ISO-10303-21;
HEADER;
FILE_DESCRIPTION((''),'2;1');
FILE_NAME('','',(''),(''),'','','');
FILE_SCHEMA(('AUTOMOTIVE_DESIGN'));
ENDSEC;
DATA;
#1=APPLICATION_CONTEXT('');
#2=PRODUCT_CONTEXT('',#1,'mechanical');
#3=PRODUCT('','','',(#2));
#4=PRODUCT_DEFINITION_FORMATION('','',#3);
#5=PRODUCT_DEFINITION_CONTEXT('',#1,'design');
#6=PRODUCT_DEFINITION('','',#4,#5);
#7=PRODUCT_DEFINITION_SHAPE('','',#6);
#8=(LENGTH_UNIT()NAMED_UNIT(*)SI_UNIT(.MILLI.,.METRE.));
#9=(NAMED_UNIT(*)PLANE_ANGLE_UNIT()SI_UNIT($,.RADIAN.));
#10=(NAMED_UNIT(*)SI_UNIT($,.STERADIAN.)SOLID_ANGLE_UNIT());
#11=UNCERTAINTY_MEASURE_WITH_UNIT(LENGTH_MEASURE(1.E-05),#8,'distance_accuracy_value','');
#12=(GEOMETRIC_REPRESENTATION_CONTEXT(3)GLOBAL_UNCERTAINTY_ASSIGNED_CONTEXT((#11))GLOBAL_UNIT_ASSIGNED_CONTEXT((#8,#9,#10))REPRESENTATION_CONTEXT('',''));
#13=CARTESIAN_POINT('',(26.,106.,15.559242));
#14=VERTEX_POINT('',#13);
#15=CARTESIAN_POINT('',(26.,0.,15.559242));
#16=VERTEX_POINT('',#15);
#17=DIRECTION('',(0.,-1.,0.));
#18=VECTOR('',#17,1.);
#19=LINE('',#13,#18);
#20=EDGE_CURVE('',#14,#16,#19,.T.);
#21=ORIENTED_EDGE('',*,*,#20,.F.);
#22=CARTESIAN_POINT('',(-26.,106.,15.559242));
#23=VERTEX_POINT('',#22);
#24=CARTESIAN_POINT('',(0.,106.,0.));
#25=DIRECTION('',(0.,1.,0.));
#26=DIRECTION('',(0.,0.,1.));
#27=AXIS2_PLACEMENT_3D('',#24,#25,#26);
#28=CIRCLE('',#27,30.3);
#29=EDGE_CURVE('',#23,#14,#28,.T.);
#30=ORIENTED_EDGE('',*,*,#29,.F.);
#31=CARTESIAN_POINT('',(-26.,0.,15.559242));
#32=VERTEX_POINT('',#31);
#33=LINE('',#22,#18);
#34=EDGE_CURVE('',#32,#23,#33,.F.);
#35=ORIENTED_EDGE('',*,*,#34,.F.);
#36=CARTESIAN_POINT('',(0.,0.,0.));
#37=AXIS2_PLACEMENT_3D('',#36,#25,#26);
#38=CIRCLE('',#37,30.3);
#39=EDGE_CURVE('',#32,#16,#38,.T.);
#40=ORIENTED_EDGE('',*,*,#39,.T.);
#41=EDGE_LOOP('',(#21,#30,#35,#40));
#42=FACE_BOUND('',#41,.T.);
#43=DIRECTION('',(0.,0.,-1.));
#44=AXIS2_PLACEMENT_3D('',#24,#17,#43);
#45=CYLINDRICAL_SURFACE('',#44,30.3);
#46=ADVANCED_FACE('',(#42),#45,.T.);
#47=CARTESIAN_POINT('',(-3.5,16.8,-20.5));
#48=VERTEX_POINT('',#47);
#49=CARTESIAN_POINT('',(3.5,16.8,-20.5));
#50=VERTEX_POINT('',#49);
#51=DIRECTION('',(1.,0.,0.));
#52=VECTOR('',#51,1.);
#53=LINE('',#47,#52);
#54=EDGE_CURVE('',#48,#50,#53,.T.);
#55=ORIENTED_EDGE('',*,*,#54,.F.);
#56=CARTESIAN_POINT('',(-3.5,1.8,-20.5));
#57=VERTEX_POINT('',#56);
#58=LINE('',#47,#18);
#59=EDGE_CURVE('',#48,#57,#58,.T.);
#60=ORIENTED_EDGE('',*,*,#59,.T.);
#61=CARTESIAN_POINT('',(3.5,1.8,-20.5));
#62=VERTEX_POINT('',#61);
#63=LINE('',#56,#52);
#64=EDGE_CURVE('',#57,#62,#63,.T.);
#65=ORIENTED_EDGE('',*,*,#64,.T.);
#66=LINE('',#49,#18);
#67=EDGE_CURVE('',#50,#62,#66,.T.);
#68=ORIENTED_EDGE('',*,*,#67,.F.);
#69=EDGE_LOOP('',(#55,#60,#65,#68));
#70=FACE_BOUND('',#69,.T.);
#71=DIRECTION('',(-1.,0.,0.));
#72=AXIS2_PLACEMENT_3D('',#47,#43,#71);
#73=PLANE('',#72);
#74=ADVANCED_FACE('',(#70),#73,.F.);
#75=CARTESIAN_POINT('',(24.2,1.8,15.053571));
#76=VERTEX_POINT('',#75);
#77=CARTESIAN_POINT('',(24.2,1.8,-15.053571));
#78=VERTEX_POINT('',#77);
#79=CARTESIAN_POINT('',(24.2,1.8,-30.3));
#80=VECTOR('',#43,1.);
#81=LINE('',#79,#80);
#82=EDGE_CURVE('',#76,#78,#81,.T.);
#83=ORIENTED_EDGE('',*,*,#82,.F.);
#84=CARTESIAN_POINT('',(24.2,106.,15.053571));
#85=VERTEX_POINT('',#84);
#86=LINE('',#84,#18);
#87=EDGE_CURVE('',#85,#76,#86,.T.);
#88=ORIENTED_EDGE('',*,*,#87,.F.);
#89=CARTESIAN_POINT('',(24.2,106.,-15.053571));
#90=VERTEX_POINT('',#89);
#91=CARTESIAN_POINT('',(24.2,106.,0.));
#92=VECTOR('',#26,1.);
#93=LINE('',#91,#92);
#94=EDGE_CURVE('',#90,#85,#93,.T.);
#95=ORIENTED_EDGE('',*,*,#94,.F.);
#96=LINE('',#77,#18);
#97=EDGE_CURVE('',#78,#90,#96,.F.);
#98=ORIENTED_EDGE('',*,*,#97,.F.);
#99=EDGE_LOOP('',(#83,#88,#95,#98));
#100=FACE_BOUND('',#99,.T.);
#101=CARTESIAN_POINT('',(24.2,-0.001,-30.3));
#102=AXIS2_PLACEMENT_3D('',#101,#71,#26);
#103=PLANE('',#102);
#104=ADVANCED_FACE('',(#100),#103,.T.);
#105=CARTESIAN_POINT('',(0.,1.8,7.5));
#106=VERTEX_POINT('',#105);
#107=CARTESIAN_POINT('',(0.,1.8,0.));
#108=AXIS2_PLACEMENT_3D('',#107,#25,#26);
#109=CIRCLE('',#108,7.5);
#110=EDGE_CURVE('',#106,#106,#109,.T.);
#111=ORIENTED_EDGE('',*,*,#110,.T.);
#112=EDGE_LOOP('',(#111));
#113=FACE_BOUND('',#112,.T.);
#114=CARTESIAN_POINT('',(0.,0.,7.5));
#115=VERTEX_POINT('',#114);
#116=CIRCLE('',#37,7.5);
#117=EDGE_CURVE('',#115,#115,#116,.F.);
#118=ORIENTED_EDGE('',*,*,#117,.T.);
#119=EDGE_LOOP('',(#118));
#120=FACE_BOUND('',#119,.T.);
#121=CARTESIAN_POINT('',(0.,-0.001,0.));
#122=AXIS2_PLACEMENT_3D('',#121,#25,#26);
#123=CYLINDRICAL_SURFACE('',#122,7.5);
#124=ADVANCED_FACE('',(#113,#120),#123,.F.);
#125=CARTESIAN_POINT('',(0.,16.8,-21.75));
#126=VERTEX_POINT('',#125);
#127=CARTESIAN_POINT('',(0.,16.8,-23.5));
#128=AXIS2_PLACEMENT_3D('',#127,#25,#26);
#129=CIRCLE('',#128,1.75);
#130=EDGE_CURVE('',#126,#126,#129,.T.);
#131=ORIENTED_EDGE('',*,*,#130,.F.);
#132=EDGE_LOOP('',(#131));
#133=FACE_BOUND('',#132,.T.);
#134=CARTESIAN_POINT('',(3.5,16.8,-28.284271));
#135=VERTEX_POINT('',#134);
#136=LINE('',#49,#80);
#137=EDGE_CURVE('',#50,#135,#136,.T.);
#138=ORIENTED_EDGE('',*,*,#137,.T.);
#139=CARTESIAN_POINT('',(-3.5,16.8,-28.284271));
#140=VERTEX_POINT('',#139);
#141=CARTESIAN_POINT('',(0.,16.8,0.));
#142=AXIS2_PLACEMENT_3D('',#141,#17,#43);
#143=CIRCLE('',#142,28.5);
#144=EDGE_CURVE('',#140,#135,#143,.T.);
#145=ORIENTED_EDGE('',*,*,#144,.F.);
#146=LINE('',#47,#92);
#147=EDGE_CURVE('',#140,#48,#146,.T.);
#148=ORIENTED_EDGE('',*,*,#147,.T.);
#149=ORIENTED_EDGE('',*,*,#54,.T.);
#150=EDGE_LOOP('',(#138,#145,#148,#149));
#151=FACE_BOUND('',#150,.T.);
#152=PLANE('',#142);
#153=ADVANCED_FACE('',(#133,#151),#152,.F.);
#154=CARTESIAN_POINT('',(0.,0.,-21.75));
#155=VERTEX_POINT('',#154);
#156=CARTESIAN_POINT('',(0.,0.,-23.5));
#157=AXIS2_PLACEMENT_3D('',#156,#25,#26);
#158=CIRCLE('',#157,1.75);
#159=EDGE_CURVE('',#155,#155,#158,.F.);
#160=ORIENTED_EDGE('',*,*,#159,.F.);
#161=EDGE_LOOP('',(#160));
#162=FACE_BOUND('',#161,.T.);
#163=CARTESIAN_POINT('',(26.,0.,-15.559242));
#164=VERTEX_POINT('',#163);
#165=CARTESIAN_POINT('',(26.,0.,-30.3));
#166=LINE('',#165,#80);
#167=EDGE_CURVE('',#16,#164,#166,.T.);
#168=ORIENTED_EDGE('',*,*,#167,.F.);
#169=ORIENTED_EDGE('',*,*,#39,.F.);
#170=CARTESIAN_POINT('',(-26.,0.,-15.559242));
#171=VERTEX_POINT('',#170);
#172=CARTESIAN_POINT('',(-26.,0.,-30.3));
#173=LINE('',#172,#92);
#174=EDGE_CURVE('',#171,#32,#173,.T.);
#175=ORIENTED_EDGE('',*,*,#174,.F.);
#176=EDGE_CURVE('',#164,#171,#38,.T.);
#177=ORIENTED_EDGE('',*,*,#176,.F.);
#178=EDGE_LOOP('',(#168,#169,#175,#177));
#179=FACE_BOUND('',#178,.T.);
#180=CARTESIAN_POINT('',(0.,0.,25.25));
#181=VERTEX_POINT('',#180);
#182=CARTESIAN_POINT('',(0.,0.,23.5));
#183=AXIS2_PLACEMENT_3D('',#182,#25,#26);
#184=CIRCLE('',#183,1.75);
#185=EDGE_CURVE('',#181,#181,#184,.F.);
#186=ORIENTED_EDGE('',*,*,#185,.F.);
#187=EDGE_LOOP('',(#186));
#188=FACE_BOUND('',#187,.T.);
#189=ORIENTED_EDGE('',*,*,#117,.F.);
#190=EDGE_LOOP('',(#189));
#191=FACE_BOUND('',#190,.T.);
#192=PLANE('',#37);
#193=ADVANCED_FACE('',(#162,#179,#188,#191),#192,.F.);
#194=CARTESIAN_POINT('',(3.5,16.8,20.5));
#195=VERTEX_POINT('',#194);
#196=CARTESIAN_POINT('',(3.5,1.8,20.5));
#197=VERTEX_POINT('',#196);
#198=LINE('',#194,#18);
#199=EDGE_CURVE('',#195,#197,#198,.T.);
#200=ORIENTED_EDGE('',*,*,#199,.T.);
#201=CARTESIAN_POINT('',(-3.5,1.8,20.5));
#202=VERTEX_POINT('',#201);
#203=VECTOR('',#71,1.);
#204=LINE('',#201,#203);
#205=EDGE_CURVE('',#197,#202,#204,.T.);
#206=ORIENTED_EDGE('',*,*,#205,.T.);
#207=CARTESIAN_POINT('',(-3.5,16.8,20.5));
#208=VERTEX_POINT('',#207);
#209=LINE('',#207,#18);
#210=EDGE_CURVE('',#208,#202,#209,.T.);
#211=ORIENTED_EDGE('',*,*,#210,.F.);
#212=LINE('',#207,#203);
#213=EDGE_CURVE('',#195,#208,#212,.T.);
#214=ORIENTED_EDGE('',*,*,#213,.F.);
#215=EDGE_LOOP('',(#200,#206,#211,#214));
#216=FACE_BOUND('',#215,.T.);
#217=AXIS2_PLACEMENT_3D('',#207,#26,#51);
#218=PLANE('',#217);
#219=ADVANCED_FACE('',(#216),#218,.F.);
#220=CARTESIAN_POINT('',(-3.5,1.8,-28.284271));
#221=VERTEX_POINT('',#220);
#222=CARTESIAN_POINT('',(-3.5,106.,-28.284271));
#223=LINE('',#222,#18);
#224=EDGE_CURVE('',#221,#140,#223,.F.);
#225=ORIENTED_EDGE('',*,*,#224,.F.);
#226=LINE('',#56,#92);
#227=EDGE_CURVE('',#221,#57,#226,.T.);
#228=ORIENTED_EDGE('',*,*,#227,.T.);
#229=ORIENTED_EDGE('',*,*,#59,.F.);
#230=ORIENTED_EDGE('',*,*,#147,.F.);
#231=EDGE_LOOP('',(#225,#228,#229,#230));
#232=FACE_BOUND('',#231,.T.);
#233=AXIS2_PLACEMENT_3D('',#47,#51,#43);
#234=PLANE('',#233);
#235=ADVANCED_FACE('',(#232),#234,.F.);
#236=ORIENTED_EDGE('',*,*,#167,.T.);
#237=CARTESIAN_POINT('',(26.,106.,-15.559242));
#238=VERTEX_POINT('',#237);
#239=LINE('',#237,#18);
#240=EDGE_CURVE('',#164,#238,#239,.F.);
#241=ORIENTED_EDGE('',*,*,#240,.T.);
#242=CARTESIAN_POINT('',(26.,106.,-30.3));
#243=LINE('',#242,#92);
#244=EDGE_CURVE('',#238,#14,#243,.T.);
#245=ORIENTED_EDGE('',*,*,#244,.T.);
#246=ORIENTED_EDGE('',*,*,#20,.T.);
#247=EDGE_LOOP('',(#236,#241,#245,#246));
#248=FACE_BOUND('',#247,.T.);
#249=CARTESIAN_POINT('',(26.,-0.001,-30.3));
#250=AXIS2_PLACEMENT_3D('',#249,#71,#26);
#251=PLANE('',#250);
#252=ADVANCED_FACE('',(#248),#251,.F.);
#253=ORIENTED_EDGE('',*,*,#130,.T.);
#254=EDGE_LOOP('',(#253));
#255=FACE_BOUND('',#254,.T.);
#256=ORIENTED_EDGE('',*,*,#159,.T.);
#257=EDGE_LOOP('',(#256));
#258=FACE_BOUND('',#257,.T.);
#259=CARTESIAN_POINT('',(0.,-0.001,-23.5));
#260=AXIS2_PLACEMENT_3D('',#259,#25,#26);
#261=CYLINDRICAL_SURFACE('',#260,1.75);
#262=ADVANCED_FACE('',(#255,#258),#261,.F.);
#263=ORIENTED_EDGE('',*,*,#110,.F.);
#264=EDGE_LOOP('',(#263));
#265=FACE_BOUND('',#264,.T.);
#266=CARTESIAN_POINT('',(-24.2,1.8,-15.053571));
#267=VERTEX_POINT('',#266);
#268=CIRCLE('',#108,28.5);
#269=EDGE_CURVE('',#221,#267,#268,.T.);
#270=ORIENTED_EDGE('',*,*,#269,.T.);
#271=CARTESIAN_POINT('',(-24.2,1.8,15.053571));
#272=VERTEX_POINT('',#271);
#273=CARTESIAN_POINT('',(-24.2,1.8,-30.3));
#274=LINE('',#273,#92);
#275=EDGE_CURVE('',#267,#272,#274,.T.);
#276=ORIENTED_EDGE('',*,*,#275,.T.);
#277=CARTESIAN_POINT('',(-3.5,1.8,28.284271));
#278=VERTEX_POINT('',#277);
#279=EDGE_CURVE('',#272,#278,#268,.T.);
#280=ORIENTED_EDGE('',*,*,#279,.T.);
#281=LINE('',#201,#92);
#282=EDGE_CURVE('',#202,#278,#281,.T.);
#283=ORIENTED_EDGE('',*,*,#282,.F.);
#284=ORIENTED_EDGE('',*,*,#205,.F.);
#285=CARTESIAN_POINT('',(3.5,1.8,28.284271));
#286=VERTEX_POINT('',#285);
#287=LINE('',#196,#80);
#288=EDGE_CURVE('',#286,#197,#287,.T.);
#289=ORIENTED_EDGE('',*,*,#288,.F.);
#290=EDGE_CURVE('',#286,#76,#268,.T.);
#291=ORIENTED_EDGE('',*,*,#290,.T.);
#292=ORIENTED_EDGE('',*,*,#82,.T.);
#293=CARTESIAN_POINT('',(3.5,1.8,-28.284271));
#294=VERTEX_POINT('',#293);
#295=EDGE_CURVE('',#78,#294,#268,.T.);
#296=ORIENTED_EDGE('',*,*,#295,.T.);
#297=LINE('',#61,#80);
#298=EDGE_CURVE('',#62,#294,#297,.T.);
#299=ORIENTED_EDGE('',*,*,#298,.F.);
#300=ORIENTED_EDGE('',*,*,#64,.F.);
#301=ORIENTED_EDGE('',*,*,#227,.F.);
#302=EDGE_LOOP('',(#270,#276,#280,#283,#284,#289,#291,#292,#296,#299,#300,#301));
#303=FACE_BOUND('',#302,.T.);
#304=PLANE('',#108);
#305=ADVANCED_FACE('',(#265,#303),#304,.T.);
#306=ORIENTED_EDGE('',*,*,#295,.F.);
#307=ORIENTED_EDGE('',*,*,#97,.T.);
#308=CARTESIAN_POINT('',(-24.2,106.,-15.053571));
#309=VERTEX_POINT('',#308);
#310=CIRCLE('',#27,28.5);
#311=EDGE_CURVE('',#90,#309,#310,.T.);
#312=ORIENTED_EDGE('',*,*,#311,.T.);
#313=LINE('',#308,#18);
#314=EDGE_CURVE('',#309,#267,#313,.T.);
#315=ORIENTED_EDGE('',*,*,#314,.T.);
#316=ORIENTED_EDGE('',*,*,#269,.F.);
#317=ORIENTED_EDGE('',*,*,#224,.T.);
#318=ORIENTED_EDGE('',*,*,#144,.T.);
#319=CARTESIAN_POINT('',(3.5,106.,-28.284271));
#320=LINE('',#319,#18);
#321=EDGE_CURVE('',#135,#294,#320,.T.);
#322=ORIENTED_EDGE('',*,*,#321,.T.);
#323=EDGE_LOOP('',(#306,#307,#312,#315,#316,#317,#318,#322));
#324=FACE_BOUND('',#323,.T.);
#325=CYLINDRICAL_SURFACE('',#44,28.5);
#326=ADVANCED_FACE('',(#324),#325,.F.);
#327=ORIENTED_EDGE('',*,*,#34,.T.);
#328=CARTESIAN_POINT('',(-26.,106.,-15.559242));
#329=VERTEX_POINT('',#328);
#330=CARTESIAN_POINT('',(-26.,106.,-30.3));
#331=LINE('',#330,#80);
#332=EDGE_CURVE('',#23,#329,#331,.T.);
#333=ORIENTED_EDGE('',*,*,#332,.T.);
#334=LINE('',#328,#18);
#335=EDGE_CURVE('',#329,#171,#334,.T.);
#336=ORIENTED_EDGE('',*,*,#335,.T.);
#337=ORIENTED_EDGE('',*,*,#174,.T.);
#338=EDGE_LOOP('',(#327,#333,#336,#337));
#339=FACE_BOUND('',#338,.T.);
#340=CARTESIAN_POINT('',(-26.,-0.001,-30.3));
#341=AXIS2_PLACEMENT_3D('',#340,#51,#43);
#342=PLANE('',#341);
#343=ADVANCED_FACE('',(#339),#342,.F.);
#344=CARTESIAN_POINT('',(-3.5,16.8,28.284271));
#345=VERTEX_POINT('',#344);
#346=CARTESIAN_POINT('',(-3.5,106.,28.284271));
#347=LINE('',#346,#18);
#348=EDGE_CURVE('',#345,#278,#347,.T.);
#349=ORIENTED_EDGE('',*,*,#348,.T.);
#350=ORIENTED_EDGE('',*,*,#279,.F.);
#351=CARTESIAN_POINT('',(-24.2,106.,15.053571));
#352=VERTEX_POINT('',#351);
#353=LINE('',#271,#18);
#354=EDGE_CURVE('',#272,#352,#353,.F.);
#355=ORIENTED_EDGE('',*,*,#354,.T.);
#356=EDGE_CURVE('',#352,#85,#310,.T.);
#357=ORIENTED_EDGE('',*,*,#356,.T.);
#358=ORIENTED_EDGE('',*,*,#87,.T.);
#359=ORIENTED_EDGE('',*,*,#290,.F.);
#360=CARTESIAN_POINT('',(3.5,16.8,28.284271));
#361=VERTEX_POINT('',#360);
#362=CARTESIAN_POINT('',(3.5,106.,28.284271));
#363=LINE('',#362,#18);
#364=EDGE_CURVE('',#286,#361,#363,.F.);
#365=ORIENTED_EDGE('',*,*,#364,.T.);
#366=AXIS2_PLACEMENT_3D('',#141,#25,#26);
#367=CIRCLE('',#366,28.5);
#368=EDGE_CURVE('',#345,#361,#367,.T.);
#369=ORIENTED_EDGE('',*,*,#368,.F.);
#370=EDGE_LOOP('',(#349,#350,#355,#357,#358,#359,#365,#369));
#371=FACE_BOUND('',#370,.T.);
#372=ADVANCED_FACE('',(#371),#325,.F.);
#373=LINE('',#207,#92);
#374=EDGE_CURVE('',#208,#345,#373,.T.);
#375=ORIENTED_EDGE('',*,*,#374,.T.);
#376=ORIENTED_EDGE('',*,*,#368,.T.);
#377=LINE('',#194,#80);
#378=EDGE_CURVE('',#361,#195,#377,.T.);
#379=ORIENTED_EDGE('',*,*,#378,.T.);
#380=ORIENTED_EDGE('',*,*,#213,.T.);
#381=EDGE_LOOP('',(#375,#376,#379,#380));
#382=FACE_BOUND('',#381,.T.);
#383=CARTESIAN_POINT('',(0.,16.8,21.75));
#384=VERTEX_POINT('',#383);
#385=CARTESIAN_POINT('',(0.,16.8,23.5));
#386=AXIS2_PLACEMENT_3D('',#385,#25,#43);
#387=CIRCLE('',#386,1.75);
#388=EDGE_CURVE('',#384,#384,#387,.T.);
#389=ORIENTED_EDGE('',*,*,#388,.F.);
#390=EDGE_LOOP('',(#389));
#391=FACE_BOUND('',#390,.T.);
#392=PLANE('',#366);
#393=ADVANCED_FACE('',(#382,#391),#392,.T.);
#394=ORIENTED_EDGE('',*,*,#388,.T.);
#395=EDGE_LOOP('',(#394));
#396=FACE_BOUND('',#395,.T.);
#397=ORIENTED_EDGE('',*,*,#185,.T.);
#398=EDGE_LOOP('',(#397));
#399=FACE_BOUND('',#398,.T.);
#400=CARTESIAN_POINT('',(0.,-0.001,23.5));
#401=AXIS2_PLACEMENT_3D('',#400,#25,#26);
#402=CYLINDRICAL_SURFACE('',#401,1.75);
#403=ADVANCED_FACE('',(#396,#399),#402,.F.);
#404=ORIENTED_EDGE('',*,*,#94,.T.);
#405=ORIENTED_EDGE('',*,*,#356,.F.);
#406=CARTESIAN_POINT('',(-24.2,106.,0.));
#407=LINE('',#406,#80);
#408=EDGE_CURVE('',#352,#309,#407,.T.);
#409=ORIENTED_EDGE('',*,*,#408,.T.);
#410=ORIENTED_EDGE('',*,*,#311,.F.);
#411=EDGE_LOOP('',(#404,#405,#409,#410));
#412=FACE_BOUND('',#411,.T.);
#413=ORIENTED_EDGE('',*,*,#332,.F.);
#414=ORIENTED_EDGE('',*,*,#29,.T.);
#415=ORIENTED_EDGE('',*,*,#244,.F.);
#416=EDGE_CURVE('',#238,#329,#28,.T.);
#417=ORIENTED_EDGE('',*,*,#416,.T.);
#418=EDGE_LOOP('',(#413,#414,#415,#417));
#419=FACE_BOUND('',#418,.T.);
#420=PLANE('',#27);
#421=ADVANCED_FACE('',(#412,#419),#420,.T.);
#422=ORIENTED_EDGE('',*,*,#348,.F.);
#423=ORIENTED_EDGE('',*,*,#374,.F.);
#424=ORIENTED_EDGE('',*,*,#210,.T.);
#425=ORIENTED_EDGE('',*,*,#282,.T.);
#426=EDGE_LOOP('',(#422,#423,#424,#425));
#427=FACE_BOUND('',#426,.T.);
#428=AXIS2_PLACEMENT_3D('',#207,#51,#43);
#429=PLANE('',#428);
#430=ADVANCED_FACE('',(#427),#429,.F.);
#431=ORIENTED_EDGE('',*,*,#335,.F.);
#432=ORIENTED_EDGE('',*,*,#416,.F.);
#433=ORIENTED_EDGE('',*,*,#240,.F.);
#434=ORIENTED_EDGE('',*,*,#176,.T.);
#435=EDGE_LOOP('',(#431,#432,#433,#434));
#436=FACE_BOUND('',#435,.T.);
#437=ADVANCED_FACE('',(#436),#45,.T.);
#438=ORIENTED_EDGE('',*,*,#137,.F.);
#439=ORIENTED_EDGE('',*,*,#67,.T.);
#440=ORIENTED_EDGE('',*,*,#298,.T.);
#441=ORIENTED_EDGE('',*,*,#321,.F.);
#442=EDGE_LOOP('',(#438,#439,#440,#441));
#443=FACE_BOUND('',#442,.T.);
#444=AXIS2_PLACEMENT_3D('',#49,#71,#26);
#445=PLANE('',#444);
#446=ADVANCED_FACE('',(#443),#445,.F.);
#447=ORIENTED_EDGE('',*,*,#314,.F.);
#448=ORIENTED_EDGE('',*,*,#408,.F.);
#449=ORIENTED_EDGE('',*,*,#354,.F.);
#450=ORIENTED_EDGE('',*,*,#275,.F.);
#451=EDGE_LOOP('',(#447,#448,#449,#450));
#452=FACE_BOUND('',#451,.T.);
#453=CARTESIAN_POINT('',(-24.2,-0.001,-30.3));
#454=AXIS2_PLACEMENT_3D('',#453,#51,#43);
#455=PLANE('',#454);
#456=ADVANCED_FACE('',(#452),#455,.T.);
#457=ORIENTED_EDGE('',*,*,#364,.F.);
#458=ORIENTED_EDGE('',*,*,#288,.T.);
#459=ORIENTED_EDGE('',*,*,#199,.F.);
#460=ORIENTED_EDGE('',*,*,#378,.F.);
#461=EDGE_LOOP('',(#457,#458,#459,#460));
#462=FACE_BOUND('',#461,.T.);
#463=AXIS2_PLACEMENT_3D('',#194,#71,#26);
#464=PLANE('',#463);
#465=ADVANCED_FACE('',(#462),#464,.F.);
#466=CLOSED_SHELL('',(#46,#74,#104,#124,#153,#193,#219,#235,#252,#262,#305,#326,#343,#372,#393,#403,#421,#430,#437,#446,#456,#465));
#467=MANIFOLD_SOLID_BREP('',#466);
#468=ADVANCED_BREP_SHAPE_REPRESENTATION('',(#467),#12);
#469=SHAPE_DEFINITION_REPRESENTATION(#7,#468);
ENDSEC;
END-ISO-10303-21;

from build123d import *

# Parameters (mm, degrees)
SKETCH1_R           = 30.3
BOSS_EXTRUDE1_DEPTH = 106
CUT_EXTRUDE1_REACH  = 108
SKETCH2_W           = 5
SKETCH2_H           = 60.6
SHELL1_T            = -1.8
CUT_EXTRUDE2_REACH  = 3.8
SKETCH3_R           = 1.75
SKETCH3_R_2         = 7.5
SKETCH4_W           = 7
SKETCH4_H           = 8
SKETCH4_R           = 1.75
BOSS_EXTRUDE2_DEPTH = 15


with BuildPart() as part:
    # Sketch1 → Boss-Extrude1 (new body)
    with BuildSketch(Plane(origin=(0, 0, 0), x_dir=(1, 0, 0), z_dir=(0, 1, 0))):
        Circle(SKETCH1_R)
    extrude(amount=BOSS_EXTRUDE1_DEPTH)

    # Sketch2 → Cut-Extrude1 (cut, up to next)
    with BuildSketch(Plane(origin=(0, 106, 0), x_dir=(1, 0, 0), z_dir=(0, 1, 0)), mode=Mode.PRIVATE) as cut_extrude1_sk1:
        with Locations((28.5, 0)):
            Rectangle(SKETCH2_W, SKETCH2_H)
    cut_extrude1_tool1 = extrude(cut_extrude1_sk1.sketch, amount=-CUT_EXTRUDE1_REACH, mode=Mode.PRIVATE) & part.part
    add(cut_extrude1_tool1.solids().sort_by_distance((28.5, 106, 0))[0], mode=Mode.SUBTRACT)
    # Sketch2 → Cut-Extrude1 (cut, up to next)
    with BuildSketch(Plane(origin=(0, 106, 0), x_dir=(1, 0, 0), z_dir=(0, 1, 0)), mode=Mode.PRIVATE) as cut_extrude1_sk2:
        with Locations((-28.5, 0)):
            Rectangle(SKETCH2_W, SKETCH2_H)
    cut_extrude1_tool2 = extrude(cut_extrude1_sk2.sketch, amount=-CUT_EXTRUDE1_REACH, mode=Mode.PRIVATE) & part.part
    add(cut_extrude1_tool2.solids().sort_by_distance((-28.5, 106, 0))[0], mode=Mode.SUBTRACT)

    # Shell1
    shell1_openings = [part.faces().sort_by_distance(p)[0] for p in [
        (0, 106, 0),
    ]]
    offset(amount=SHELL1_T, openings=shell1_openings, kind=Kind.INTERSECTION)

    # Sketch3 → Cut-Extrude2 (cut, up to next)
    with BuildSketch(Plane(origin=(0, 1.8, 0), x_dir=(1, 0, 0), z_dir=(0, 1, 0)), mode=Mode.PRIVATE) as cut_extrude2_sk1:
        with Locations((0, 23.5)):
            Circle(SKETCH3_R)
    cut_extrude2_tool1 = extrude(cut_extrude2_sk1.sketch, amount=-CUT_EXTRUDE2_REACH, mode=Mode.PRIVATE) & part.part
    add(cut_extrude2_tool1.solids().sort_by_distance((0, 1.8, -23.5))[0], mode=Mode.SUBTRACT)
    # Sketch3 → Cut-Extrude2 (cut, up to next)
    with BuildSketch(Plane(origin=(0, 1.8, 0), x_dir=(1, 0, 0), z_dir=(0, 1, 0)), mode=Mode.PRIVATE) as cut_extrude2_sk2:
        with Locations((0, -23.5)):
            Circle(SKETCH3_R)
    cut_extrude2_tool2 = extrude(cut_extrude2_sk2.sketch, amount=-CUT_EXTRUDE2_REACH, mode=Mode.PRIVATE) & part.part
    add(cut_extrude2_tool2.solids().sort_by_distance((0, 1.8, 23.5))[0], mode=Mode.SUBTRACT)
    # Sketch3 → Cut-Extrude2 (cut, up to next)
    with BuildSketch(Plane(origin=(0, 1.8, 0), x_dir=(1, 0, 0), z_dir=(0, 1, 0)), mode=Mode.PRIVATE) as cut_extrude2_sk3:
        Circle(SKETCH3_R_2)
    cut_extrude2_tool3 = extrude(cut_extrude2_sk3.sketch, amount=-CUT_EXTRUDE2_REACH, mode=Mode.PRIVATE) & part.part
    add(cut_extrude2_tool3.solids().sort_by_distance((0, 1.8, 0))[0], mode=Mode.SUBTRACT)

    # Sketch4 → Boss-Extrude2 (add)
    with BuildSketch(Plane(origin=(0, 1.8, 0), x_dir=(1, 0, 0), z_dir=(0, 1, 0))):
        with Locations((0, 24.5)):
            Rectangle(SKETCH4_W, SKETCH4_H)
        with Locations((0, 23.5)):
            Circle(SKETCH4_R, mode=Mode.SUBTRACT)
        with Locations((0, -24.5)):
            Rectangle(SKETCH4_W, SKETCH4_H)
        with Locations((0, -23.5)):
            Circle(SKETCH4_R, mode=Mode.SUBTRACT)
    extrude(amount=BOSS_EXTRUDE2_DEPTH)


solid = part.part
